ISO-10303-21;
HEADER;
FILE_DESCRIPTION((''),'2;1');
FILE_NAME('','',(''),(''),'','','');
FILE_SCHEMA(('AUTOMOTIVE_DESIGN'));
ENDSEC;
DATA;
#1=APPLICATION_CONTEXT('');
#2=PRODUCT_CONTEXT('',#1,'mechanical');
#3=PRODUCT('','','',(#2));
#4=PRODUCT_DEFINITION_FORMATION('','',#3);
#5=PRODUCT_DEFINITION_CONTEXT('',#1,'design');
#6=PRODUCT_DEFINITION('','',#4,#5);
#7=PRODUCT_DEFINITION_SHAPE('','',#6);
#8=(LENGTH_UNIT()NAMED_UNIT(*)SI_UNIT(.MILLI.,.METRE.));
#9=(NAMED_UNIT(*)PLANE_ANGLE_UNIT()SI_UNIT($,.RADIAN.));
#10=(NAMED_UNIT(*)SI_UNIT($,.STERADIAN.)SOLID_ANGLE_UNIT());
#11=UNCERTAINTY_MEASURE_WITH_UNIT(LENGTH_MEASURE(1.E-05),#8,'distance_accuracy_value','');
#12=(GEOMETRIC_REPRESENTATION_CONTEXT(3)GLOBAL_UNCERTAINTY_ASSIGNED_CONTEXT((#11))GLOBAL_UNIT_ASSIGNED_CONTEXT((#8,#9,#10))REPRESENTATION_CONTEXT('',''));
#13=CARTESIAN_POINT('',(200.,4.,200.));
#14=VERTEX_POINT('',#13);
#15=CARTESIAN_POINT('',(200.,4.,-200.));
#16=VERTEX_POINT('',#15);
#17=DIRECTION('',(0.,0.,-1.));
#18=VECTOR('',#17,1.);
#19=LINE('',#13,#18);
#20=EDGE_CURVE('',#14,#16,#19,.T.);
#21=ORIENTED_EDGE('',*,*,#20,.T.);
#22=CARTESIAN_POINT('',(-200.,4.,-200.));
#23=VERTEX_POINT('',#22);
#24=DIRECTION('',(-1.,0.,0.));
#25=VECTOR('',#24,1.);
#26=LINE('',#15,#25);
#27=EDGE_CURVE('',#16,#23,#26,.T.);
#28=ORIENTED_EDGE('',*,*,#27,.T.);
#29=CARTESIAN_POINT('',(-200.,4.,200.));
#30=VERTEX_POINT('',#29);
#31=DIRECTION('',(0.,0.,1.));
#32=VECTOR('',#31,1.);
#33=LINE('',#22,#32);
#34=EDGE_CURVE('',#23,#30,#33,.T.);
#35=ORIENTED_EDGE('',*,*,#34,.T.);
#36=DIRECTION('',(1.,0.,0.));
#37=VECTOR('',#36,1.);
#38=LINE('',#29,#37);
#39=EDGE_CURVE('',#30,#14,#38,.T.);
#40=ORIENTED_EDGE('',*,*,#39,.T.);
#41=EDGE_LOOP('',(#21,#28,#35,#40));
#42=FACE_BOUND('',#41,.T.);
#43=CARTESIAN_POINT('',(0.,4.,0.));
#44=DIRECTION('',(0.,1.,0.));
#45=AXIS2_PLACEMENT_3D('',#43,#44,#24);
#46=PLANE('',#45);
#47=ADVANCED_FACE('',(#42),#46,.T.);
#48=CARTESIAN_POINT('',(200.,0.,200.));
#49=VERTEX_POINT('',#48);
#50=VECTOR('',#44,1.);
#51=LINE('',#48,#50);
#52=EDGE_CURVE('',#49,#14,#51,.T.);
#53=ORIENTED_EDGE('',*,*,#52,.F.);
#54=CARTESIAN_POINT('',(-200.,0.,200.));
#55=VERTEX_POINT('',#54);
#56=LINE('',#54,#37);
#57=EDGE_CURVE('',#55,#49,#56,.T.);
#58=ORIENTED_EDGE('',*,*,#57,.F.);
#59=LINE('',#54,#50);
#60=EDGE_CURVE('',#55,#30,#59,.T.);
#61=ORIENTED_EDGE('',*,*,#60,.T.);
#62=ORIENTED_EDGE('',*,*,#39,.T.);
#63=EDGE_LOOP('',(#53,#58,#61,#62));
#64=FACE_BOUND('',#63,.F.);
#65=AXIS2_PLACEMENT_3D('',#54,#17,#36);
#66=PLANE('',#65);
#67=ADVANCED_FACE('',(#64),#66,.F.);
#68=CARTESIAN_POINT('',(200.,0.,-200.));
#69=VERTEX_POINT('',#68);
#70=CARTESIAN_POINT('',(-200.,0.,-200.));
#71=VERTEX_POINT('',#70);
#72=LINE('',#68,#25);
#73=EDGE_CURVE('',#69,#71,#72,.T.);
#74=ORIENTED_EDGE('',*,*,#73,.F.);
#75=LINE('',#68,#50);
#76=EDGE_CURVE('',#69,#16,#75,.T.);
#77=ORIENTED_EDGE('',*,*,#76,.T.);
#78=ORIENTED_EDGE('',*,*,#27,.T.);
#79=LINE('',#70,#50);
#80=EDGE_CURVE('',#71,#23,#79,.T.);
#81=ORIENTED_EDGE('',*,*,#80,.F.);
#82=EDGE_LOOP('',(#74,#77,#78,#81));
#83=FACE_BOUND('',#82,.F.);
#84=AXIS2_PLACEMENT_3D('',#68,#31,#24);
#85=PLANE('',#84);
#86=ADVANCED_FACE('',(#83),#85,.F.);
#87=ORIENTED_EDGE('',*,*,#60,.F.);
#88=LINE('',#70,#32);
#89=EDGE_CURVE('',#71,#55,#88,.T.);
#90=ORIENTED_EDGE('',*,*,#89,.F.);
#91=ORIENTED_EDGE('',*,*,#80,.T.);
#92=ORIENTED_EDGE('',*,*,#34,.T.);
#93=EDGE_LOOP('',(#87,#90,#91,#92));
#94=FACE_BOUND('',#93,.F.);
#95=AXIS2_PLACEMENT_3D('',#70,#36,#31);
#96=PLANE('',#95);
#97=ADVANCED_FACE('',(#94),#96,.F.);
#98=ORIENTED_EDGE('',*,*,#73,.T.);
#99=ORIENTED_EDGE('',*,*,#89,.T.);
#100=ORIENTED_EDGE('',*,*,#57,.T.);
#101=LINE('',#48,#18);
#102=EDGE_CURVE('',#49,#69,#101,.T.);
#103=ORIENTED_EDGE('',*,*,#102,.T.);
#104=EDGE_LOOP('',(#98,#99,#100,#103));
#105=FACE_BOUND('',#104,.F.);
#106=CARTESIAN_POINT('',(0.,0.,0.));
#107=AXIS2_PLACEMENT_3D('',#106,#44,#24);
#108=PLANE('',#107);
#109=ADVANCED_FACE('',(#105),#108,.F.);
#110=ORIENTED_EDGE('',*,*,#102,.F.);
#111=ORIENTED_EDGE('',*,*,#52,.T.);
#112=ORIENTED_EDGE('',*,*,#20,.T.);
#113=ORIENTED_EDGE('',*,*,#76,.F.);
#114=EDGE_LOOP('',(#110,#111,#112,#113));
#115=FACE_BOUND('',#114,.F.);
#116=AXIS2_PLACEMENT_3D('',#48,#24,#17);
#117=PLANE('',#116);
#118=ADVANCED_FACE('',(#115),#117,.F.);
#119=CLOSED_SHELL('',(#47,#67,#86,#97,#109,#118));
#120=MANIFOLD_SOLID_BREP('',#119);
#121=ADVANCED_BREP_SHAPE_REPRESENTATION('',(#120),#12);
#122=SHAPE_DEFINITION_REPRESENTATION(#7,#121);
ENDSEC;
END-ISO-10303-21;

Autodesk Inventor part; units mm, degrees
ref_plane "YZ Plane" through (0, 0, 0) normal (1, 0, 0) x (0, 1, 0)
ref_plane "XZ Plane" through (0, 0, 0) normal (0, 1, 0) x (-1, 0, 0)
ref_plane "XY Plane" through (0, 0, 0) normal (0, 0, 1) x (1, 0, 0)
sketch "Sketch1" plane through (0, 0, 0) normal (0, 1, 0) x (-1, 0, 0)
  line L0 (200, 200) -> (-200, 200)
  line L1 (-200, 200) -> (-200, -200)
  line L2 (-200, -200) -> (200, -200)
  line L3 (200, -200) -> (200, 200)
  point P0 (0, 0)
  dimension "d0" = 400
  dimension "d1" = 400
  dimension "d2" = 200
  dimension "d3" = 200
extrude "Extrusion1" add sketch "Sketch1" along normal blind 4
properties part number "bottom"
